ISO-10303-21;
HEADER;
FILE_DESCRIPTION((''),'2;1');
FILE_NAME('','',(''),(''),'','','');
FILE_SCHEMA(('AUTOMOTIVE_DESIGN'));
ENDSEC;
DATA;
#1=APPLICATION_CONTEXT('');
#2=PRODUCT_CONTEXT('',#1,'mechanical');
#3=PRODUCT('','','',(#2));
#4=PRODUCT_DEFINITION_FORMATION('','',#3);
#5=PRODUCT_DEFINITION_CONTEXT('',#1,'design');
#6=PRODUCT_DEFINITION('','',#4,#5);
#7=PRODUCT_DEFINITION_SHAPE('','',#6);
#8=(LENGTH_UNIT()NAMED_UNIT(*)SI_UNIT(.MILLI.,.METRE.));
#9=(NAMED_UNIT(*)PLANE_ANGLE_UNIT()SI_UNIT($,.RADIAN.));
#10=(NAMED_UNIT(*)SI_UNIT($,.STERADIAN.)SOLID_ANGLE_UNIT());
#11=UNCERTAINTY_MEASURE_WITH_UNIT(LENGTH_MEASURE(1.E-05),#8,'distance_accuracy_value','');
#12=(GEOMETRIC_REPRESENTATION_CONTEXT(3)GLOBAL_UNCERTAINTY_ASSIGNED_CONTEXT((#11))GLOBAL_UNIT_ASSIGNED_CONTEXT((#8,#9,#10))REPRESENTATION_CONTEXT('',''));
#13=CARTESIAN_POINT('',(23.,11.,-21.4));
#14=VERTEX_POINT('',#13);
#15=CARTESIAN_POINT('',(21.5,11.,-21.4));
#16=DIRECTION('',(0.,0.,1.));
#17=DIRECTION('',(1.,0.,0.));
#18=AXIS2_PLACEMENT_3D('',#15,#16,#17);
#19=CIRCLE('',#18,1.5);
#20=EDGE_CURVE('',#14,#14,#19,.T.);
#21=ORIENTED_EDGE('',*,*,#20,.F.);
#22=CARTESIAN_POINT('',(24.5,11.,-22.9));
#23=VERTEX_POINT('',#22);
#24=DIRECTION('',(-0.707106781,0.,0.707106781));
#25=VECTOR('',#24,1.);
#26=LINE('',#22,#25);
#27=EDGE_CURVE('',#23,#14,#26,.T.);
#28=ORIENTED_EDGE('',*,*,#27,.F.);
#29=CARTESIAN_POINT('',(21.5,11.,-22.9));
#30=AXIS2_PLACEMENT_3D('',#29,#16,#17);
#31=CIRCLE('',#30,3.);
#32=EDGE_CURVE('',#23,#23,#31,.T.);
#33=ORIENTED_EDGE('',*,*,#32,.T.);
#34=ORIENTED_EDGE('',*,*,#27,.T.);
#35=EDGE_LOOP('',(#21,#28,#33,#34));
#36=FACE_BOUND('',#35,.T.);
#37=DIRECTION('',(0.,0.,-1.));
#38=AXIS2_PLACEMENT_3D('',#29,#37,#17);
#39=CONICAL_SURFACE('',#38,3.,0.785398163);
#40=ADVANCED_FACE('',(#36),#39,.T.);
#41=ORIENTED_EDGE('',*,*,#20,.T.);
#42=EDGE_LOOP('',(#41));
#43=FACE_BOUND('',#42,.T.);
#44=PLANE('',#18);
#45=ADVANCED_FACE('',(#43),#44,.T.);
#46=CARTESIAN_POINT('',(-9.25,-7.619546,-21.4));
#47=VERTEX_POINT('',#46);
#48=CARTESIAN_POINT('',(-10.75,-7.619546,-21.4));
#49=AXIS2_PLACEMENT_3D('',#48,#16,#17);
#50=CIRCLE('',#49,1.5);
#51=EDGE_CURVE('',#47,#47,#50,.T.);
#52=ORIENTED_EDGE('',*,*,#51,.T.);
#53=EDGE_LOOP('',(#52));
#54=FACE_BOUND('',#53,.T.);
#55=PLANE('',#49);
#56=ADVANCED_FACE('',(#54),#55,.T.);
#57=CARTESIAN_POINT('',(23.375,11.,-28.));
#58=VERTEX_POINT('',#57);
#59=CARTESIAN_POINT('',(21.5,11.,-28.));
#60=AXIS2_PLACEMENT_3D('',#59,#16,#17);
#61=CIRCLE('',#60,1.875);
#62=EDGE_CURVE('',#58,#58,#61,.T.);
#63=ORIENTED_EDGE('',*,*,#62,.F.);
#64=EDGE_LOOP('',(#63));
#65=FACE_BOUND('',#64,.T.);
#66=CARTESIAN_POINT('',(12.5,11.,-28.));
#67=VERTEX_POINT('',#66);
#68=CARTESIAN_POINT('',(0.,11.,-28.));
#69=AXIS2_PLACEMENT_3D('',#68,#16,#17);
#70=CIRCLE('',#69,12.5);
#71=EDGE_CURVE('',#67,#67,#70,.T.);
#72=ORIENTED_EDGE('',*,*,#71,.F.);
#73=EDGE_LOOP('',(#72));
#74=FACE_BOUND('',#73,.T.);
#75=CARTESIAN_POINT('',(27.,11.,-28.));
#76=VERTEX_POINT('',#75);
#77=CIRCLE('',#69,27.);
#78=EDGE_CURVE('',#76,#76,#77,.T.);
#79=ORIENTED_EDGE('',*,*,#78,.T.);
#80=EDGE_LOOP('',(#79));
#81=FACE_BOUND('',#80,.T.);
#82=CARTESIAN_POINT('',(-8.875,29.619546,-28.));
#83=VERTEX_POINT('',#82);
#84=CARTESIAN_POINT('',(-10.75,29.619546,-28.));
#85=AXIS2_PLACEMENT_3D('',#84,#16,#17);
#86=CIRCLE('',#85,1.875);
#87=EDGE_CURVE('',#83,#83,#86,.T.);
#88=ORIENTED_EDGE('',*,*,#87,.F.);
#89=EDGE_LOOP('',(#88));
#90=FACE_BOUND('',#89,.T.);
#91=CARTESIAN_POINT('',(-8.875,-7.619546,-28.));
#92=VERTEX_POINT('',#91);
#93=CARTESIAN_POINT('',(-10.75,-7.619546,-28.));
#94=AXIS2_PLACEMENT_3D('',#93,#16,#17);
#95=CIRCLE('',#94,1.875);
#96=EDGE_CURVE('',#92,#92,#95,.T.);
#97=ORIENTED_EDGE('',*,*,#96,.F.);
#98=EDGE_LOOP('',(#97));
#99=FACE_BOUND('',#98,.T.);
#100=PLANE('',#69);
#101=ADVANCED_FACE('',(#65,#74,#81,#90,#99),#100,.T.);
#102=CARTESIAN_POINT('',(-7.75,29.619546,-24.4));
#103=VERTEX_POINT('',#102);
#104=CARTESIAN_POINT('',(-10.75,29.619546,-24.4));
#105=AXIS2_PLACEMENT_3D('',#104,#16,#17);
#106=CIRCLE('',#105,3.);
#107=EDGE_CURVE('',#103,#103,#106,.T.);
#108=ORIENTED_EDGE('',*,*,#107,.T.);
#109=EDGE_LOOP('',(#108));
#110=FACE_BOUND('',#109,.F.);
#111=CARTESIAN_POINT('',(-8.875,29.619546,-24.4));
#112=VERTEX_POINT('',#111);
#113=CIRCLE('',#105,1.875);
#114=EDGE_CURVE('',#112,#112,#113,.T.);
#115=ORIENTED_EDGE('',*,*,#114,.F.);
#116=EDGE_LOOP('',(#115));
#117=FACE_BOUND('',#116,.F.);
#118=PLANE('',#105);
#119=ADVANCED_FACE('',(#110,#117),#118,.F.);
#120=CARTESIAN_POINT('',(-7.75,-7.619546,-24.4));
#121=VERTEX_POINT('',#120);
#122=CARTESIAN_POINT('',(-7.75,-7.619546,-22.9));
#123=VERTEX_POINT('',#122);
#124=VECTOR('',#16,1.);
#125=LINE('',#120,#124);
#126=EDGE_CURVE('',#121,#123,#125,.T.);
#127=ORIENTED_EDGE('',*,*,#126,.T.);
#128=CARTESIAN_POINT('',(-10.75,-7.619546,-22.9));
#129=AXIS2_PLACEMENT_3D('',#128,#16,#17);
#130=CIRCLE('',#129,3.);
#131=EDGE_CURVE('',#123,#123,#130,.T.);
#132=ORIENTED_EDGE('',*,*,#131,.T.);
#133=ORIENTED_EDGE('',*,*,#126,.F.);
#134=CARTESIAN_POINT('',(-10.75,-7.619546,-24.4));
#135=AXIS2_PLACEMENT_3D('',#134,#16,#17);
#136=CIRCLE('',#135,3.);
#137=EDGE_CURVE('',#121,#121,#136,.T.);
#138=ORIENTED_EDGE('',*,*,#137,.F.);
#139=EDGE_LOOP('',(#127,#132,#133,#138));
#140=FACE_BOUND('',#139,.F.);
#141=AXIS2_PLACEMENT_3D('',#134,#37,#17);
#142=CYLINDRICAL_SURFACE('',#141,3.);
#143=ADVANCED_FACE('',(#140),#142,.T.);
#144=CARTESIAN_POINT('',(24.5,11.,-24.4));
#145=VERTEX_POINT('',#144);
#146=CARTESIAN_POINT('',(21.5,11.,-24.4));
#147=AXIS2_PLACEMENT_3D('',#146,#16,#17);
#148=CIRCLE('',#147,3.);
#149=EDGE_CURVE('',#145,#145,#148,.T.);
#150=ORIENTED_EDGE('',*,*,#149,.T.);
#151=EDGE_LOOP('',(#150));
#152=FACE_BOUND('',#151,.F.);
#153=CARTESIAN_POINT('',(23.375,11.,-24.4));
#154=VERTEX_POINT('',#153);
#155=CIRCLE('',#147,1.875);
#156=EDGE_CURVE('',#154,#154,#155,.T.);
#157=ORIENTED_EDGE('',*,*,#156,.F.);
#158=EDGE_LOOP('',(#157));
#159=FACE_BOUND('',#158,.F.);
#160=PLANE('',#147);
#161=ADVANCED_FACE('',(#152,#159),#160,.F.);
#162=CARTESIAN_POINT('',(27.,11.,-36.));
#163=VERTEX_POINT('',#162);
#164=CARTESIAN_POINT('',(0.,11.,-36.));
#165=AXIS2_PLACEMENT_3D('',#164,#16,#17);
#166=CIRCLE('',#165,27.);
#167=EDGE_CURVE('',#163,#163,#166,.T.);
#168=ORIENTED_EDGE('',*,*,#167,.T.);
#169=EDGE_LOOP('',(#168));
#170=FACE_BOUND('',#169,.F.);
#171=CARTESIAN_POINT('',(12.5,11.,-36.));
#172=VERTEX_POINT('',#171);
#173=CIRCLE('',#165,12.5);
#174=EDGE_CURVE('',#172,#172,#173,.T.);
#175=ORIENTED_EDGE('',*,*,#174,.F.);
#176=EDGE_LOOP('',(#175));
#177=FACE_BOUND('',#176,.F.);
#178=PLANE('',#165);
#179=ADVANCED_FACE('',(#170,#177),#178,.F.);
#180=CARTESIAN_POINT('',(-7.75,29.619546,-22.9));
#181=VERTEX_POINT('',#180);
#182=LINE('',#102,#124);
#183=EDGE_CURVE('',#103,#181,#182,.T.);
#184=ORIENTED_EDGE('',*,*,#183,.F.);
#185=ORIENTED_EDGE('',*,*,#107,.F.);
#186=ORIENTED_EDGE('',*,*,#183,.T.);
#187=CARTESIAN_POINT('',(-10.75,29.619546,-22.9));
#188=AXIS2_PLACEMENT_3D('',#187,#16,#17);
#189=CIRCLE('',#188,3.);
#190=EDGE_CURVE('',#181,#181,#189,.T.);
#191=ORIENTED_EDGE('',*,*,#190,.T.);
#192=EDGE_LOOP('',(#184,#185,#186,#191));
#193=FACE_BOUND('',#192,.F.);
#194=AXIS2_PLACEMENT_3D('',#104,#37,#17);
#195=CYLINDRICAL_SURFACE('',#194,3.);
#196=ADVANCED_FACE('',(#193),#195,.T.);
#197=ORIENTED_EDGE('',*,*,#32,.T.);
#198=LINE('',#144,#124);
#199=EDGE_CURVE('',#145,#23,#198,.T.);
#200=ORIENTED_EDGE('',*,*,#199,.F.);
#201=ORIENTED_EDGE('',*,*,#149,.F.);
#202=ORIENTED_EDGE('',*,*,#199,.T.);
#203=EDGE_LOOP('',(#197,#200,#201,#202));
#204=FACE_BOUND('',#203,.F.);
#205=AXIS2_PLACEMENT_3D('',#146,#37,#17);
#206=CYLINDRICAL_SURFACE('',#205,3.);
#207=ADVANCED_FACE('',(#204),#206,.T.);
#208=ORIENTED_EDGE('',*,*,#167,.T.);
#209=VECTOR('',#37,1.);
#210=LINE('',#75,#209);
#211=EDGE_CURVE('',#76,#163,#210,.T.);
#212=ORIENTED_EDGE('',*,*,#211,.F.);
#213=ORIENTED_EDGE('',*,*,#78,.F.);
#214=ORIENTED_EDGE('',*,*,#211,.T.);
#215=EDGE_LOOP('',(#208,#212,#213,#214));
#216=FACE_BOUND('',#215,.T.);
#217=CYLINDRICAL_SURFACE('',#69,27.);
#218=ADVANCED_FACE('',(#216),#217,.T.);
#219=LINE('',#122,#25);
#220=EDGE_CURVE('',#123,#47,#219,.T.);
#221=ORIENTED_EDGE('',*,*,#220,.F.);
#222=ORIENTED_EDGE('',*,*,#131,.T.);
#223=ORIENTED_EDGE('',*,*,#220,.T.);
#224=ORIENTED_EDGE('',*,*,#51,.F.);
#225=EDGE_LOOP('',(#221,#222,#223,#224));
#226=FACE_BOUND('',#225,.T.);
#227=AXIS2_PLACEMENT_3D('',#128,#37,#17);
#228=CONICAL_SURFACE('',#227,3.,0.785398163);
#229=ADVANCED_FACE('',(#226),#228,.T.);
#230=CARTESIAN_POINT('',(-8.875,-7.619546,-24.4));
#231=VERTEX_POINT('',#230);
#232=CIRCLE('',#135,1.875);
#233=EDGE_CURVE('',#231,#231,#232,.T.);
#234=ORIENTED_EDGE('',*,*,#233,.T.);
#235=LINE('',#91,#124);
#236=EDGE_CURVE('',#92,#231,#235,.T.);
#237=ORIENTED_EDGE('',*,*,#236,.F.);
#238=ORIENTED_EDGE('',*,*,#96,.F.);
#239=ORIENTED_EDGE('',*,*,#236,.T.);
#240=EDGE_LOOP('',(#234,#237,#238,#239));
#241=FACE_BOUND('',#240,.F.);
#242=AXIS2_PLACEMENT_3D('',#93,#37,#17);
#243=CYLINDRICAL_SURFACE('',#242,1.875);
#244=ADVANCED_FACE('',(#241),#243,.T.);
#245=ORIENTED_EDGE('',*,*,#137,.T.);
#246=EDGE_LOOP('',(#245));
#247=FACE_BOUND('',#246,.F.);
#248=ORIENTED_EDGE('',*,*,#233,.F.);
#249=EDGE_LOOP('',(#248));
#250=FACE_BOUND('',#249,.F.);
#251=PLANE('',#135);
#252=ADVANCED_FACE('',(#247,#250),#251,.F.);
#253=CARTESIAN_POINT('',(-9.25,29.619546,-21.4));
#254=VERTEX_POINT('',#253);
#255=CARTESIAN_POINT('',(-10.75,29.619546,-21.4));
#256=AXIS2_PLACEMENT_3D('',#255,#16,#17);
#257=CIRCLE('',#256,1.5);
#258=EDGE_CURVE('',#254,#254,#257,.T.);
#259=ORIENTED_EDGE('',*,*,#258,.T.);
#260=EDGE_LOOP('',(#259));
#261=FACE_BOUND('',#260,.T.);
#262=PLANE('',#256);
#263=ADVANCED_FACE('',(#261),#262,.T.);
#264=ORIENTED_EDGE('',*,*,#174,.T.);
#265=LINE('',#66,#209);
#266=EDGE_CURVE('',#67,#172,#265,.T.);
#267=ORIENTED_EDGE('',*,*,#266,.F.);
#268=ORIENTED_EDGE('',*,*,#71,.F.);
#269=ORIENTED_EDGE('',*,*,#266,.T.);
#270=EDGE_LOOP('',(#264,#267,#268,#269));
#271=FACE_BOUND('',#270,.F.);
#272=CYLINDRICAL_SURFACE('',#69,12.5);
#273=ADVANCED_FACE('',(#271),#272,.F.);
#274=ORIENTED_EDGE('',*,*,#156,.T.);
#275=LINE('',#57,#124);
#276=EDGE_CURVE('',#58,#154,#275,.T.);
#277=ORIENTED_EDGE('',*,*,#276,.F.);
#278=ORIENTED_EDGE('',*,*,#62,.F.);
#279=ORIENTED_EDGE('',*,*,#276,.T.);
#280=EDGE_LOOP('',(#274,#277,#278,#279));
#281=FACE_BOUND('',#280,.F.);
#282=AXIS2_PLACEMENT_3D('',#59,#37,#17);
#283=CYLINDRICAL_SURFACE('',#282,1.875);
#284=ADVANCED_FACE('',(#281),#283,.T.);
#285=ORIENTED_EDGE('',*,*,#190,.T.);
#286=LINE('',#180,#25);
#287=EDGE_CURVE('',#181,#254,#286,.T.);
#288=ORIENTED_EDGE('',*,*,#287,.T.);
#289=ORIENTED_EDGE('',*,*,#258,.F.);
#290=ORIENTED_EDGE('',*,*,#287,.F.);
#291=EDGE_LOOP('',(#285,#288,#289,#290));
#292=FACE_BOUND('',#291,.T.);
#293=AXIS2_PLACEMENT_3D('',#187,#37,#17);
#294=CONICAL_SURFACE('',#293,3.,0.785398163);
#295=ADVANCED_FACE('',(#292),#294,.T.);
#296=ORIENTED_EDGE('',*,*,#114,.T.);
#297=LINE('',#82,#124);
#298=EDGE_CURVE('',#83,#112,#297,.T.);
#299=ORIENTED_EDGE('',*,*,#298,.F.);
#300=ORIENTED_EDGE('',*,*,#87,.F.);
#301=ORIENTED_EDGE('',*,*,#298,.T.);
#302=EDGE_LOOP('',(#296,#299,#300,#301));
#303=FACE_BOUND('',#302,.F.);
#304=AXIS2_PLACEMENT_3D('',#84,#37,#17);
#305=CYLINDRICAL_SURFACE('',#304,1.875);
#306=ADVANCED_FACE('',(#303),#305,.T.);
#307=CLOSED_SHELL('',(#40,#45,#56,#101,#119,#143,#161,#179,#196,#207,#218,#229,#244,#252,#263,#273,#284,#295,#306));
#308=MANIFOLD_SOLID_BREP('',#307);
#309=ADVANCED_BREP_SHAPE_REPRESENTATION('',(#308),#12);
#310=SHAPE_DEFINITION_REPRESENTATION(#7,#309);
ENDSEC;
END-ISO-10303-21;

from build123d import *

# Parameters (mm, degrees)
SKETCH012_R     = 27
SKETCH012_R_2   = 12.5
PAD003_DEPTH    = 8
SKETCH013_R     = 1.875
PAD004_DEPTH    = 3.6
SKETCH014_R     = 3
PAD005_DEPTH    = 3
CHAMFER004_SIZE = 1.5


with BuildPart() as part:
    # Sketch012 → Pad003 (new body)
    with BuildSketch(Plane.XY):
        Circle(SKETCH012_R)
        Circle(SKETCH012_R_2, mode=Mode.SUBTRACT)
    extrude(amount=-PAD003_DEPTH)

    # Sketch013 → Pad004 (join)
    with BuildSketch(Plane.XY):
        with Locations((-10.75, 18.619546)):
            Circle(SKETCH013_R)
        with Locations((-10.75, -18.619546)):
            Circle(SKETCH013_R)
        with Locations((21.5, 0)):
            Circle(SKETCH013_R)
    extrude(amount=PAD004_DEPTH)

    # Sketch014 (on DatumPlane) → Pad005 (join)
    with BuildSketch(Plane.XY.offset(3.6)):
        with Locations((-10.75, 18.619546)):
            Circle(SKETCH014_R)
        with Locations((21.5, 0)):
            Circle(SKETCH014_R)
        with Locations((-10.75, -18.619546)):
            Circle(SKETCH014_R)
    extrude(amount=PAD005_DEPTH)

    # Chamfer004
    chamfer004_edges = [part.edges().sort_by_distance(p)[0] for p in [
        (18.5, 0, 6.6),
        (-13.75, 18.619546, 6.6),
        (-13.75, -18.619546, 6.6),
    ]]
    chamfer(chamfer004_edges, length=CHAMFER004_SIZE)


with BuildPart() as part_1:
    # Body001 placement: moved
    add(part.part.moved(Location((0, 11, -28))))


solid = part_1.part
